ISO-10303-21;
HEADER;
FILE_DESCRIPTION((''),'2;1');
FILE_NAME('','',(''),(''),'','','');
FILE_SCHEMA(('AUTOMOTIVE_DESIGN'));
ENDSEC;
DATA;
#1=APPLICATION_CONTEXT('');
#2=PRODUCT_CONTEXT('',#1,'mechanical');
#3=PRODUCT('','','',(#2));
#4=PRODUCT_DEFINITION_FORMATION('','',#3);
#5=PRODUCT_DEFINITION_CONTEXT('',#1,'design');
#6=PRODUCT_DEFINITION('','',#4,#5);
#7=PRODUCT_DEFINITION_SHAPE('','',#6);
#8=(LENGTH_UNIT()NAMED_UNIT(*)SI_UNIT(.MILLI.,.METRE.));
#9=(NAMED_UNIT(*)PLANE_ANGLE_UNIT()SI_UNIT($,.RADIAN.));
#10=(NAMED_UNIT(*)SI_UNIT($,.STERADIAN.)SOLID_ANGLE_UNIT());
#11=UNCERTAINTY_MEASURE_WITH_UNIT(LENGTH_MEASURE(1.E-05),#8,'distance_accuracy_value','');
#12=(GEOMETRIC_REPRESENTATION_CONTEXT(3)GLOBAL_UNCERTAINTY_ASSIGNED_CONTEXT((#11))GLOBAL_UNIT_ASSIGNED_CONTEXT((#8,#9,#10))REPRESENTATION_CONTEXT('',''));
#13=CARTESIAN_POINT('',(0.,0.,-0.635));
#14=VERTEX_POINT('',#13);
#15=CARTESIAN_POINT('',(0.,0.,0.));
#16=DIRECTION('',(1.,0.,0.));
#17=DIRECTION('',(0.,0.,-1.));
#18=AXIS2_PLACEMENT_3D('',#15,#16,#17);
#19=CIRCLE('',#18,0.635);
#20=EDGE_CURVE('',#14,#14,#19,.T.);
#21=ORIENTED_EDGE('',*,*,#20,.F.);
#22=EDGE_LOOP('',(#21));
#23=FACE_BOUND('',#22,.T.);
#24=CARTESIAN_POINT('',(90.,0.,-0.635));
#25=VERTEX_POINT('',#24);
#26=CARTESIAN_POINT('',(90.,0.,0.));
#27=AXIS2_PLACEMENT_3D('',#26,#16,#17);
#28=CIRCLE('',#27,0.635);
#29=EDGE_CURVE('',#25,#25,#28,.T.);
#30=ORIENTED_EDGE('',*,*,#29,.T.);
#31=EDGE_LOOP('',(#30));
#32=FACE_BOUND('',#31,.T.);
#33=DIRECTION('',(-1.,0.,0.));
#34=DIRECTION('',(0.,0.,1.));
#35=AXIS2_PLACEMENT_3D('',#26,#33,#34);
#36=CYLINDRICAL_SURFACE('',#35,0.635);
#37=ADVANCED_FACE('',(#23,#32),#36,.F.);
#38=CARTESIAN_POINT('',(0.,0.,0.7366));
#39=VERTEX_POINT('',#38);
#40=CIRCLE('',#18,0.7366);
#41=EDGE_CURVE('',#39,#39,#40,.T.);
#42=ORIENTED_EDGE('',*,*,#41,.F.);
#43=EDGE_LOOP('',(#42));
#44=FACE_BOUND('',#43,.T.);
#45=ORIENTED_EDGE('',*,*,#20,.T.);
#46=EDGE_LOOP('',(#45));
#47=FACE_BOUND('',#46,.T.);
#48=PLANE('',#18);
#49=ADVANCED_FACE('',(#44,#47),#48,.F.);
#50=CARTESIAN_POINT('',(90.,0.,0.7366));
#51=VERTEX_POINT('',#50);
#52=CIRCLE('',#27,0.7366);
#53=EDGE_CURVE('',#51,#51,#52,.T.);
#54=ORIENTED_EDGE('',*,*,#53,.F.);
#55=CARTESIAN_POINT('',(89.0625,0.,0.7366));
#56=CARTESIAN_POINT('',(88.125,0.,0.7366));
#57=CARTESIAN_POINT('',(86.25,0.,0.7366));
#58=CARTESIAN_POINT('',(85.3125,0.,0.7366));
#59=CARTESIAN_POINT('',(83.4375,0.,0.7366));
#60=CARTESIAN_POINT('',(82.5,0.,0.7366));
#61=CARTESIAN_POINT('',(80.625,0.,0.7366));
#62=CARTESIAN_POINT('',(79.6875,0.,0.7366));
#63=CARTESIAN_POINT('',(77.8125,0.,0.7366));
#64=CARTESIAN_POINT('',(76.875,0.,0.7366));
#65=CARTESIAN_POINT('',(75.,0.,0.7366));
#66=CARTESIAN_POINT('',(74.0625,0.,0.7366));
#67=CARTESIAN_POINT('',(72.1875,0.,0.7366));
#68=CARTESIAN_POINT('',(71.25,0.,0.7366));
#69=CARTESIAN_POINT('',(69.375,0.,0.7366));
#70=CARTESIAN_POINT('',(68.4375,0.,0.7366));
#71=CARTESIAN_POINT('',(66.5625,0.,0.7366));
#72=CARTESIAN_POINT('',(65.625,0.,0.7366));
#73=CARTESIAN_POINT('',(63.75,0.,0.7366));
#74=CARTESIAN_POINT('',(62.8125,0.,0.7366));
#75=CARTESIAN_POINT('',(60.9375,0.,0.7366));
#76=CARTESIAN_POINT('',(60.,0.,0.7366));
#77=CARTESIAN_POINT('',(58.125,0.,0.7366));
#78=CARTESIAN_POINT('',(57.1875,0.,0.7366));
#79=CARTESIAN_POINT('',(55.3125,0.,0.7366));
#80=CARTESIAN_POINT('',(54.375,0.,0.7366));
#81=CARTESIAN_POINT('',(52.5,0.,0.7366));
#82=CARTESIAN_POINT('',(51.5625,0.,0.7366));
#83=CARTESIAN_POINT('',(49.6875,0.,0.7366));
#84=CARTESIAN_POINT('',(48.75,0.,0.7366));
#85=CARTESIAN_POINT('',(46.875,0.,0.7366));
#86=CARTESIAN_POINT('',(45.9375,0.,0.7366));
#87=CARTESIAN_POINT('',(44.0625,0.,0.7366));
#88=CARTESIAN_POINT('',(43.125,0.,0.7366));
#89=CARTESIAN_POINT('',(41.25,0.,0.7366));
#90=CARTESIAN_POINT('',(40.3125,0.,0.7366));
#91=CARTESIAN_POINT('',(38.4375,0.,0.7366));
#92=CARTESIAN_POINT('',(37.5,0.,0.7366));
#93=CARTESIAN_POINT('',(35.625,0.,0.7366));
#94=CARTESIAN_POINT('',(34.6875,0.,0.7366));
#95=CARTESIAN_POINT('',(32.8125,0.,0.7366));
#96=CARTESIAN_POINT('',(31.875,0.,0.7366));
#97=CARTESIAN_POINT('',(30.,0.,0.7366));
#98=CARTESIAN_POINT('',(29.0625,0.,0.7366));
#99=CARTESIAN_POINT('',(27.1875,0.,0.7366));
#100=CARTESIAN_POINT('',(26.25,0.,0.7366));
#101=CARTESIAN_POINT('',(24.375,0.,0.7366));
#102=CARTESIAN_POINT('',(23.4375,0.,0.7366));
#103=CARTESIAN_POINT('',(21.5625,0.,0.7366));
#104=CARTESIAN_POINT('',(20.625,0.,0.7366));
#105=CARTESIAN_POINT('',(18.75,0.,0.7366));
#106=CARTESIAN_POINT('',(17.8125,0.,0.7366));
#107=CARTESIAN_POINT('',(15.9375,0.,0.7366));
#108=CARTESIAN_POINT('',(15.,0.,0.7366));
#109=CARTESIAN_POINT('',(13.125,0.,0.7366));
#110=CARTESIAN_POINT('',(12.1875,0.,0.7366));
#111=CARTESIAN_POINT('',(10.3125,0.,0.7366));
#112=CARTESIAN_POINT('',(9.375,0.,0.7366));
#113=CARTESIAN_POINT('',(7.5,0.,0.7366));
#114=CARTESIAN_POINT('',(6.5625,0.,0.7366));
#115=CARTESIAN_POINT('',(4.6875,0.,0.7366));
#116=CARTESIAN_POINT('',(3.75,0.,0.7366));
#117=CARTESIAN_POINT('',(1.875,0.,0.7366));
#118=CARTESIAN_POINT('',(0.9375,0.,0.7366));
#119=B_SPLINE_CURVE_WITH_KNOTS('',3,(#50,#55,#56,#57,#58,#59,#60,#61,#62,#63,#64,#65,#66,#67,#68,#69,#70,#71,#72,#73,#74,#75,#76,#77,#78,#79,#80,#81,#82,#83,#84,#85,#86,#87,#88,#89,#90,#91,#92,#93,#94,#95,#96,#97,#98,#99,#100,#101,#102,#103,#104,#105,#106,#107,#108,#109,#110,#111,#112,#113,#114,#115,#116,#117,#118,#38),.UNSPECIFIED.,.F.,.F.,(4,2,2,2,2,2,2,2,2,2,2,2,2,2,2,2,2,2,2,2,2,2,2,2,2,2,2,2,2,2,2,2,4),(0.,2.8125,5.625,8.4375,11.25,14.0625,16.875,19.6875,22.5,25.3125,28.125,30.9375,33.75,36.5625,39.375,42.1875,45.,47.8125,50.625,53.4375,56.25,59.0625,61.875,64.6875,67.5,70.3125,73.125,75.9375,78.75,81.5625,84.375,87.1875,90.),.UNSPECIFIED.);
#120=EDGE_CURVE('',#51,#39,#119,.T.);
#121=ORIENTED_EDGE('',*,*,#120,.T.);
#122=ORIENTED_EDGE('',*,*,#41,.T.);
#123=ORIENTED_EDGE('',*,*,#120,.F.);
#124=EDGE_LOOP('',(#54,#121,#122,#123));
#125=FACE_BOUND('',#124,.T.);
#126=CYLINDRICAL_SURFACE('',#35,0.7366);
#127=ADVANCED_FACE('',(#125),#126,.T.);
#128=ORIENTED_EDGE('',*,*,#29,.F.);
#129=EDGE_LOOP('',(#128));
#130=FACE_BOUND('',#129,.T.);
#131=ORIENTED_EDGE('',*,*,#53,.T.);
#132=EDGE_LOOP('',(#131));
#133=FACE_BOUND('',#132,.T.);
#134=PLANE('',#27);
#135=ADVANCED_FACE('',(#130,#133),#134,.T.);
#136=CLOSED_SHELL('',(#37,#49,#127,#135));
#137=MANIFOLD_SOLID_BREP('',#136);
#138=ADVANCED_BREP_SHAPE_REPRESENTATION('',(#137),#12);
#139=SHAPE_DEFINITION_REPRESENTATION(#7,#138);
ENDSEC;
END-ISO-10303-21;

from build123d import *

# Parameters (mm, degrees)
SKETCH1_R           = 0.7366
SKETCH1_R_2         = 0.635
BOSS_EXTRUDE1_DEPTH = 90


with BuildPart() as part:
    # Sketch1 → Boss-Extrude1 (new body)
    with BuildSketch(Plane(origin=(0, 0, 0), x_dir=(0, 0, -1), z_dir=(1, 0, 0))):
        Circle(SKETCH1_R)
        Circle(SKETCH1_R_2, mode=Mode.SUBTRACT)
    extrude(amount=BOSS_EXTRUDE1_DEPTH)


solid = part.part
